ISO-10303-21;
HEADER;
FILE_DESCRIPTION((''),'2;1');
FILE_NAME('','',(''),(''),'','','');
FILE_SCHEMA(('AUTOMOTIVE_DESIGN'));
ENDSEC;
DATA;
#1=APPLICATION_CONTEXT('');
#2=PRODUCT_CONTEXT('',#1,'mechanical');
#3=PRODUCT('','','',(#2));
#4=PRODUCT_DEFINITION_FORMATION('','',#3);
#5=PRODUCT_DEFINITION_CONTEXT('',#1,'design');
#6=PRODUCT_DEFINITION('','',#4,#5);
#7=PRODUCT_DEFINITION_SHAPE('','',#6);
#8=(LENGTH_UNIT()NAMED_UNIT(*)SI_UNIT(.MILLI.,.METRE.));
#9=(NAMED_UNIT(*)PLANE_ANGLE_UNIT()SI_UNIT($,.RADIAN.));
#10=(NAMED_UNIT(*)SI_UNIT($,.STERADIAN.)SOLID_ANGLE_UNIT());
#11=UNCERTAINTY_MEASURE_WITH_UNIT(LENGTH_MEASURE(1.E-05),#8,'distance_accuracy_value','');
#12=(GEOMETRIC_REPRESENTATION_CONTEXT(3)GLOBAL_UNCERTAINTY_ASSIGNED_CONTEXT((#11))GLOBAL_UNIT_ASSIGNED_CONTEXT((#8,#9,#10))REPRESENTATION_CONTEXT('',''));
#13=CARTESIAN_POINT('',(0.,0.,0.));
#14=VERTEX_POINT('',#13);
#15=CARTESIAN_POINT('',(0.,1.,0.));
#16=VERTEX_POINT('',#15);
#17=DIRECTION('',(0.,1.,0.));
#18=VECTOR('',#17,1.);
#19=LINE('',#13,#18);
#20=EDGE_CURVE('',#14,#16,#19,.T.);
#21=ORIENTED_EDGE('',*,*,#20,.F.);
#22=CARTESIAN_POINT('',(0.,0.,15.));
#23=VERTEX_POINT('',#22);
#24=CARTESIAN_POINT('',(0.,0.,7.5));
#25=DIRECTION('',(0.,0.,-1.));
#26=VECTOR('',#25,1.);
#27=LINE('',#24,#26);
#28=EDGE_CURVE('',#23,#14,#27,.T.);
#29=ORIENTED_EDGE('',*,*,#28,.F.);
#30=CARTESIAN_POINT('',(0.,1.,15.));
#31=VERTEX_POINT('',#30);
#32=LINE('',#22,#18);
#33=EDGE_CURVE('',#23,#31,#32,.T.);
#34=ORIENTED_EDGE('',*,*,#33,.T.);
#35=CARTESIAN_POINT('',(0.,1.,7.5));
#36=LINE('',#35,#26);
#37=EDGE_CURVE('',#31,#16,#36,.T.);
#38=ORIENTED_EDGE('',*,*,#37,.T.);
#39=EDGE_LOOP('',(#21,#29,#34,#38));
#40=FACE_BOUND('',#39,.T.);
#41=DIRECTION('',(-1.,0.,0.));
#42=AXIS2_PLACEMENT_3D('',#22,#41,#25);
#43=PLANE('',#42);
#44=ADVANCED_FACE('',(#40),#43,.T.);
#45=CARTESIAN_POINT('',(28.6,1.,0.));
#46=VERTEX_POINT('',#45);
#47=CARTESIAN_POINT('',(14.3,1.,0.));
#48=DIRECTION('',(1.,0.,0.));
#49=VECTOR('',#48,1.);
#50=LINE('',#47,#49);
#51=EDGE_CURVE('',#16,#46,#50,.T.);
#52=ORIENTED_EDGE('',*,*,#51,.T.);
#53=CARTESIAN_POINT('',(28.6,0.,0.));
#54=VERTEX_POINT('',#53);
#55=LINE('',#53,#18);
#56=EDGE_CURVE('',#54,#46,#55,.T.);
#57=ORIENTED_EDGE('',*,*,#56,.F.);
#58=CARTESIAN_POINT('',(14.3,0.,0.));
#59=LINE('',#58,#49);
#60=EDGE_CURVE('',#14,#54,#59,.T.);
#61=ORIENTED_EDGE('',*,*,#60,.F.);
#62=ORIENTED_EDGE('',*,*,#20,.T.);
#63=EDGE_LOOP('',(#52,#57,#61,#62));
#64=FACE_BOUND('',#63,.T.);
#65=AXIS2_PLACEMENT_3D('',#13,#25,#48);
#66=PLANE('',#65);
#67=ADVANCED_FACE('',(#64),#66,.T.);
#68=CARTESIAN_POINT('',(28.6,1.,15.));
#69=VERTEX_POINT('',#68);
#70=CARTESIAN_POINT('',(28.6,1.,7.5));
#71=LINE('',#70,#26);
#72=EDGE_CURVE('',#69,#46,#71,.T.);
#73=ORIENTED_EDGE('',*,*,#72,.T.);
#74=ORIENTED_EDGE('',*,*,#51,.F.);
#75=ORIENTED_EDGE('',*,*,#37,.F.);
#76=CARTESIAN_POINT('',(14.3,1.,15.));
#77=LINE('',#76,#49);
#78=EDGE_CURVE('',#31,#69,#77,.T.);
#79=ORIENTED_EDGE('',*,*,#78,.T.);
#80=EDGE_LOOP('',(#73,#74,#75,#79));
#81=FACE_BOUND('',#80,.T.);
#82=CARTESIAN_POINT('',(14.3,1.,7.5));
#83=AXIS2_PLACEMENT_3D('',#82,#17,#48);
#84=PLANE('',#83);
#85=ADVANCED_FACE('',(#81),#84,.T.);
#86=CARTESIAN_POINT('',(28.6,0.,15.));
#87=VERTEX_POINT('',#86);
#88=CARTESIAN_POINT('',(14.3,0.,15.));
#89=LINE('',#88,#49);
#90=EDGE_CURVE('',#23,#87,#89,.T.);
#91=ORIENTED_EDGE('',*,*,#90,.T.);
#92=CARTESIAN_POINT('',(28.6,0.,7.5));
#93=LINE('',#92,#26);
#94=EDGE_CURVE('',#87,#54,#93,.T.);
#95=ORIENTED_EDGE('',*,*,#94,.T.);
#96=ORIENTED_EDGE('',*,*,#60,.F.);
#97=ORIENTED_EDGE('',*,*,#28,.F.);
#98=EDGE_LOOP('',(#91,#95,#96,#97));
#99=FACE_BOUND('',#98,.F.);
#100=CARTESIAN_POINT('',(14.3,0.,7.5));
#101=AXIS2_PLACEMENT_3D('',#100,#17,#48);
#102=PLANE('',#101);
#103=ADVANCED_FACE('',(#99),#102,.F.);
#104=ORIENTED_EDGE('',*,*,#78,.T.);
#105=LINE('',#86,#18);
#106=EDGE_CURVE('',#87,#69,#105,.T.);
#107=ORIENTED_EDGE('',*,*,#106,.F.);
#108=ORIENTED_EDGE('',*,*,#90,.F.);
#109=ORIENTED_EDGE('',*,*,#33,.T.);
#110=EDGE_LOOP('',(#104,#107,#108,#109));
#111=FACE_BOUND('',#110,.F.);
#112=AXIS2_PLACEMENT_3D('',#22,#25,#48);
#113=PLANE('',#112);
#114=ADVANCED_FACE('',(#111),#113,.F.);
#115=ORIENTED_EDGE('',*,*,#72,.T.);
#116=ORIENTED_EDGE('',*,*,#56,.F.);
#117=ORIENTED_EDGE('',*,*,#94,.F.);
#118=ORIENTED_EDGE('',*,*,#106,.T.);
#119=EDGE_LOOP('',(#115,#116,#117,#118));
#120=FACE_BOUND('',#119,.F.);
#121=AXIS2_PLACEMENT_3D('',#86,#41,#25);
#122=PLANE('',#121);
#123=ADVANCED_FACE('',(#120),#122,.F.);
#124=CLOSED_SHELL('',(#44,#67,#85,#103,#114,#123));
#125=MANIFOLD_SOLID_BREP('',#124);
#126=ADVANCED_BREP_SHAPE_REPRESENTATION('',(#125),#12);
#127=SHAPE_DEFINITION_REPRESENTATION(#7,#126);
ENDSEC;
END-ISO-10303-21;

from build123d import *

# Parameters (mm, degrees)
PCB_W               = 28.6
PCB_H               = 15
BOSS_EXTRUDE1_DEPTH = 1


with BuildPart() as part:
    # PCB → Boss-Extrude1 (new body)
    with BuildSketch(Plane(origin=(0, 0, 0), x_dir=(1, 0, 0), z_dir=(0, 1, 0))):
        with Locations((14.3, -7.5)):
            Rectangle(PCB_W, PCB_H)
    extrude(amount=BOSS_EXTRUDE1_DEPTH)


solid = part.part
